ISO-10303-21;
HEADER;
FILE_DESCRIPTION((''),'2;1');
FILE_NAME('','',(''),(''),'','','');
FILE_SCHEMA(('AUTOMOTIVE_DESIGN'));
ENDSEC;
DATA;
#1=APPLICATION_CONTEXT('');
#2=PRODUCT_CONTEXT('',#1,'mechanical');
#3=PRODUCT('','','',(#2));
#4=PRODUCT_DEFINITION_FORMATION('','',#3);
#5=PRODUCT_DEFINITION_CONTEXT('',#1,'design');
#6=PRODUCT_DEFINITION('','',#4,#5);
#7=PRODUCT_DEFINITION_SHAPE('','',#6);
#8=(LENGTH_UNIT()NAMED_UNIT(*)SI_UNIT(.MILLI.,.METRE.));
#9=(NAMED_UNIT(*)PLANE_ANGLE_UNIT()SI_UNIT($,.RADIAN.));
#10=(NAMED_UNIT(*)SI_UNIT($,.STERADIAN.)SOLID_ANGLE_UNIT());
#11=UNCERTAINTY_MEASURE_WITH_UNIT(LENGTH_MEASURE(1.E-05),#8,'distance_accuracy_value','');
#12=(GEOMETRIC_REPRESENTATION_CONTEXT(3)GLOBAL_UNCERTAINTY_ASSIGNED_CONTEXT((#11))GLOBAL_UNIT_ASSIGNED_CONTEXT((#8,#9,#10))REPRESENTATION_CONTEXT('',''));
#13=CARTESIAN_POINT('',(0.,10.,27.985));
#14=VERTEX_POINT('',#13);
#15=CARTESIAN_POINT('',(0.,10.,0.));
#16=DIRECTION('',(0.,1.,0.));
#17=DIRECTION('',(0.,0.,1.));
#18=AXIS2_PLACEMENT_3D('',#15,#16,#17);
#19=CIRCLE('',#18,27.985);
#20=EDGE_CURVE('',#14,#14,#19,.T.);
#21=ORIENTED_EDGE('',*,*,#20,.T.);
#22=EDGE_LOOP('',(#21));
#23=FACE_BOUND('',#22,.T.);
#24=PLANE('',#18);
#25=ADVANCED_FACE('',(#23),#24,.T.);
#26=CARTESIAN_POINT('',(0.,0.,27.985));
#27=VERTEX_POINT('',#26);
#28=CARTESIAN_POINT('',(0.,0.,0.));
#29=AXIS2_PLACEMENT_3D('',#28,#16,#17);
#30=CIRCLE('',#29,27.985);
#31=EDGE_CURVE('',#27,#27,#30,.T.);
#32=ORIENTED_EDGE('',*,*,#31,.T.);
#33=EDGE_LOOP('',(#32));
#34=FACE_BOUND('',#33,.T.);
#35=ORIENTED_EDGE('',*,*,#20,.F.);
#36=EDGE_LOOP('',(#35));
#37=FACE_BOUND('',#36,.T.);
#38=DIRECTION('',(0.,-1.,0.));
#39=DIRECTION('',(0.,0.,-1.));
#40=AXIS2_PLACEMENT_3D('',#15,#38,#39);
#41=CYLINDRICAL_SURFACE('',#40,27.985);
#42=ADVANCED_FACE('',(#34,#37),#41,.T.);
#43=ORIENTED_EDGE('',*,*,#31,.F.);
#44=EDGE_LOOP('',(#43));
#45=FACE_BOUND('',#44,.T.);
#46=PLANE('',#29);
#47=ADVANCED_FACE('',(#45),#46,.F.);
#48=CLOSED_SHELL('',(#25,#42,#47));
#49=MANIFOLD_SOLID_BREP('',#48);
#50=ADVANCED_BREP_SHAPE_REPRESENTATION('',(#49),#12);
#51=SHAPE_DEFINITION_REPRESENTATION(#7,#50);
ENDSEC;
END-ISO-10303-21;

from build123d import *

# Parameters (mm, degrees)
IZIM1_R                     = 27.985
Y_KSEKLIK_EKSTR_ZYON1_DEPTH = 10


with BuildPart() as part:
    # Çizim1 → Yükseklik-Ekstrüzyon1 (new body)
    with BuildSketch(Plane(origin=(0, 0, 0), x_dir=(1, 0, 0), z_dir=(0, 1, 0))):
        Circle(IZIM1_R)
    extrude(amount=Y_KSEKLIK_EKSTR_ZYON1_DEPTH)


solid = part.part
